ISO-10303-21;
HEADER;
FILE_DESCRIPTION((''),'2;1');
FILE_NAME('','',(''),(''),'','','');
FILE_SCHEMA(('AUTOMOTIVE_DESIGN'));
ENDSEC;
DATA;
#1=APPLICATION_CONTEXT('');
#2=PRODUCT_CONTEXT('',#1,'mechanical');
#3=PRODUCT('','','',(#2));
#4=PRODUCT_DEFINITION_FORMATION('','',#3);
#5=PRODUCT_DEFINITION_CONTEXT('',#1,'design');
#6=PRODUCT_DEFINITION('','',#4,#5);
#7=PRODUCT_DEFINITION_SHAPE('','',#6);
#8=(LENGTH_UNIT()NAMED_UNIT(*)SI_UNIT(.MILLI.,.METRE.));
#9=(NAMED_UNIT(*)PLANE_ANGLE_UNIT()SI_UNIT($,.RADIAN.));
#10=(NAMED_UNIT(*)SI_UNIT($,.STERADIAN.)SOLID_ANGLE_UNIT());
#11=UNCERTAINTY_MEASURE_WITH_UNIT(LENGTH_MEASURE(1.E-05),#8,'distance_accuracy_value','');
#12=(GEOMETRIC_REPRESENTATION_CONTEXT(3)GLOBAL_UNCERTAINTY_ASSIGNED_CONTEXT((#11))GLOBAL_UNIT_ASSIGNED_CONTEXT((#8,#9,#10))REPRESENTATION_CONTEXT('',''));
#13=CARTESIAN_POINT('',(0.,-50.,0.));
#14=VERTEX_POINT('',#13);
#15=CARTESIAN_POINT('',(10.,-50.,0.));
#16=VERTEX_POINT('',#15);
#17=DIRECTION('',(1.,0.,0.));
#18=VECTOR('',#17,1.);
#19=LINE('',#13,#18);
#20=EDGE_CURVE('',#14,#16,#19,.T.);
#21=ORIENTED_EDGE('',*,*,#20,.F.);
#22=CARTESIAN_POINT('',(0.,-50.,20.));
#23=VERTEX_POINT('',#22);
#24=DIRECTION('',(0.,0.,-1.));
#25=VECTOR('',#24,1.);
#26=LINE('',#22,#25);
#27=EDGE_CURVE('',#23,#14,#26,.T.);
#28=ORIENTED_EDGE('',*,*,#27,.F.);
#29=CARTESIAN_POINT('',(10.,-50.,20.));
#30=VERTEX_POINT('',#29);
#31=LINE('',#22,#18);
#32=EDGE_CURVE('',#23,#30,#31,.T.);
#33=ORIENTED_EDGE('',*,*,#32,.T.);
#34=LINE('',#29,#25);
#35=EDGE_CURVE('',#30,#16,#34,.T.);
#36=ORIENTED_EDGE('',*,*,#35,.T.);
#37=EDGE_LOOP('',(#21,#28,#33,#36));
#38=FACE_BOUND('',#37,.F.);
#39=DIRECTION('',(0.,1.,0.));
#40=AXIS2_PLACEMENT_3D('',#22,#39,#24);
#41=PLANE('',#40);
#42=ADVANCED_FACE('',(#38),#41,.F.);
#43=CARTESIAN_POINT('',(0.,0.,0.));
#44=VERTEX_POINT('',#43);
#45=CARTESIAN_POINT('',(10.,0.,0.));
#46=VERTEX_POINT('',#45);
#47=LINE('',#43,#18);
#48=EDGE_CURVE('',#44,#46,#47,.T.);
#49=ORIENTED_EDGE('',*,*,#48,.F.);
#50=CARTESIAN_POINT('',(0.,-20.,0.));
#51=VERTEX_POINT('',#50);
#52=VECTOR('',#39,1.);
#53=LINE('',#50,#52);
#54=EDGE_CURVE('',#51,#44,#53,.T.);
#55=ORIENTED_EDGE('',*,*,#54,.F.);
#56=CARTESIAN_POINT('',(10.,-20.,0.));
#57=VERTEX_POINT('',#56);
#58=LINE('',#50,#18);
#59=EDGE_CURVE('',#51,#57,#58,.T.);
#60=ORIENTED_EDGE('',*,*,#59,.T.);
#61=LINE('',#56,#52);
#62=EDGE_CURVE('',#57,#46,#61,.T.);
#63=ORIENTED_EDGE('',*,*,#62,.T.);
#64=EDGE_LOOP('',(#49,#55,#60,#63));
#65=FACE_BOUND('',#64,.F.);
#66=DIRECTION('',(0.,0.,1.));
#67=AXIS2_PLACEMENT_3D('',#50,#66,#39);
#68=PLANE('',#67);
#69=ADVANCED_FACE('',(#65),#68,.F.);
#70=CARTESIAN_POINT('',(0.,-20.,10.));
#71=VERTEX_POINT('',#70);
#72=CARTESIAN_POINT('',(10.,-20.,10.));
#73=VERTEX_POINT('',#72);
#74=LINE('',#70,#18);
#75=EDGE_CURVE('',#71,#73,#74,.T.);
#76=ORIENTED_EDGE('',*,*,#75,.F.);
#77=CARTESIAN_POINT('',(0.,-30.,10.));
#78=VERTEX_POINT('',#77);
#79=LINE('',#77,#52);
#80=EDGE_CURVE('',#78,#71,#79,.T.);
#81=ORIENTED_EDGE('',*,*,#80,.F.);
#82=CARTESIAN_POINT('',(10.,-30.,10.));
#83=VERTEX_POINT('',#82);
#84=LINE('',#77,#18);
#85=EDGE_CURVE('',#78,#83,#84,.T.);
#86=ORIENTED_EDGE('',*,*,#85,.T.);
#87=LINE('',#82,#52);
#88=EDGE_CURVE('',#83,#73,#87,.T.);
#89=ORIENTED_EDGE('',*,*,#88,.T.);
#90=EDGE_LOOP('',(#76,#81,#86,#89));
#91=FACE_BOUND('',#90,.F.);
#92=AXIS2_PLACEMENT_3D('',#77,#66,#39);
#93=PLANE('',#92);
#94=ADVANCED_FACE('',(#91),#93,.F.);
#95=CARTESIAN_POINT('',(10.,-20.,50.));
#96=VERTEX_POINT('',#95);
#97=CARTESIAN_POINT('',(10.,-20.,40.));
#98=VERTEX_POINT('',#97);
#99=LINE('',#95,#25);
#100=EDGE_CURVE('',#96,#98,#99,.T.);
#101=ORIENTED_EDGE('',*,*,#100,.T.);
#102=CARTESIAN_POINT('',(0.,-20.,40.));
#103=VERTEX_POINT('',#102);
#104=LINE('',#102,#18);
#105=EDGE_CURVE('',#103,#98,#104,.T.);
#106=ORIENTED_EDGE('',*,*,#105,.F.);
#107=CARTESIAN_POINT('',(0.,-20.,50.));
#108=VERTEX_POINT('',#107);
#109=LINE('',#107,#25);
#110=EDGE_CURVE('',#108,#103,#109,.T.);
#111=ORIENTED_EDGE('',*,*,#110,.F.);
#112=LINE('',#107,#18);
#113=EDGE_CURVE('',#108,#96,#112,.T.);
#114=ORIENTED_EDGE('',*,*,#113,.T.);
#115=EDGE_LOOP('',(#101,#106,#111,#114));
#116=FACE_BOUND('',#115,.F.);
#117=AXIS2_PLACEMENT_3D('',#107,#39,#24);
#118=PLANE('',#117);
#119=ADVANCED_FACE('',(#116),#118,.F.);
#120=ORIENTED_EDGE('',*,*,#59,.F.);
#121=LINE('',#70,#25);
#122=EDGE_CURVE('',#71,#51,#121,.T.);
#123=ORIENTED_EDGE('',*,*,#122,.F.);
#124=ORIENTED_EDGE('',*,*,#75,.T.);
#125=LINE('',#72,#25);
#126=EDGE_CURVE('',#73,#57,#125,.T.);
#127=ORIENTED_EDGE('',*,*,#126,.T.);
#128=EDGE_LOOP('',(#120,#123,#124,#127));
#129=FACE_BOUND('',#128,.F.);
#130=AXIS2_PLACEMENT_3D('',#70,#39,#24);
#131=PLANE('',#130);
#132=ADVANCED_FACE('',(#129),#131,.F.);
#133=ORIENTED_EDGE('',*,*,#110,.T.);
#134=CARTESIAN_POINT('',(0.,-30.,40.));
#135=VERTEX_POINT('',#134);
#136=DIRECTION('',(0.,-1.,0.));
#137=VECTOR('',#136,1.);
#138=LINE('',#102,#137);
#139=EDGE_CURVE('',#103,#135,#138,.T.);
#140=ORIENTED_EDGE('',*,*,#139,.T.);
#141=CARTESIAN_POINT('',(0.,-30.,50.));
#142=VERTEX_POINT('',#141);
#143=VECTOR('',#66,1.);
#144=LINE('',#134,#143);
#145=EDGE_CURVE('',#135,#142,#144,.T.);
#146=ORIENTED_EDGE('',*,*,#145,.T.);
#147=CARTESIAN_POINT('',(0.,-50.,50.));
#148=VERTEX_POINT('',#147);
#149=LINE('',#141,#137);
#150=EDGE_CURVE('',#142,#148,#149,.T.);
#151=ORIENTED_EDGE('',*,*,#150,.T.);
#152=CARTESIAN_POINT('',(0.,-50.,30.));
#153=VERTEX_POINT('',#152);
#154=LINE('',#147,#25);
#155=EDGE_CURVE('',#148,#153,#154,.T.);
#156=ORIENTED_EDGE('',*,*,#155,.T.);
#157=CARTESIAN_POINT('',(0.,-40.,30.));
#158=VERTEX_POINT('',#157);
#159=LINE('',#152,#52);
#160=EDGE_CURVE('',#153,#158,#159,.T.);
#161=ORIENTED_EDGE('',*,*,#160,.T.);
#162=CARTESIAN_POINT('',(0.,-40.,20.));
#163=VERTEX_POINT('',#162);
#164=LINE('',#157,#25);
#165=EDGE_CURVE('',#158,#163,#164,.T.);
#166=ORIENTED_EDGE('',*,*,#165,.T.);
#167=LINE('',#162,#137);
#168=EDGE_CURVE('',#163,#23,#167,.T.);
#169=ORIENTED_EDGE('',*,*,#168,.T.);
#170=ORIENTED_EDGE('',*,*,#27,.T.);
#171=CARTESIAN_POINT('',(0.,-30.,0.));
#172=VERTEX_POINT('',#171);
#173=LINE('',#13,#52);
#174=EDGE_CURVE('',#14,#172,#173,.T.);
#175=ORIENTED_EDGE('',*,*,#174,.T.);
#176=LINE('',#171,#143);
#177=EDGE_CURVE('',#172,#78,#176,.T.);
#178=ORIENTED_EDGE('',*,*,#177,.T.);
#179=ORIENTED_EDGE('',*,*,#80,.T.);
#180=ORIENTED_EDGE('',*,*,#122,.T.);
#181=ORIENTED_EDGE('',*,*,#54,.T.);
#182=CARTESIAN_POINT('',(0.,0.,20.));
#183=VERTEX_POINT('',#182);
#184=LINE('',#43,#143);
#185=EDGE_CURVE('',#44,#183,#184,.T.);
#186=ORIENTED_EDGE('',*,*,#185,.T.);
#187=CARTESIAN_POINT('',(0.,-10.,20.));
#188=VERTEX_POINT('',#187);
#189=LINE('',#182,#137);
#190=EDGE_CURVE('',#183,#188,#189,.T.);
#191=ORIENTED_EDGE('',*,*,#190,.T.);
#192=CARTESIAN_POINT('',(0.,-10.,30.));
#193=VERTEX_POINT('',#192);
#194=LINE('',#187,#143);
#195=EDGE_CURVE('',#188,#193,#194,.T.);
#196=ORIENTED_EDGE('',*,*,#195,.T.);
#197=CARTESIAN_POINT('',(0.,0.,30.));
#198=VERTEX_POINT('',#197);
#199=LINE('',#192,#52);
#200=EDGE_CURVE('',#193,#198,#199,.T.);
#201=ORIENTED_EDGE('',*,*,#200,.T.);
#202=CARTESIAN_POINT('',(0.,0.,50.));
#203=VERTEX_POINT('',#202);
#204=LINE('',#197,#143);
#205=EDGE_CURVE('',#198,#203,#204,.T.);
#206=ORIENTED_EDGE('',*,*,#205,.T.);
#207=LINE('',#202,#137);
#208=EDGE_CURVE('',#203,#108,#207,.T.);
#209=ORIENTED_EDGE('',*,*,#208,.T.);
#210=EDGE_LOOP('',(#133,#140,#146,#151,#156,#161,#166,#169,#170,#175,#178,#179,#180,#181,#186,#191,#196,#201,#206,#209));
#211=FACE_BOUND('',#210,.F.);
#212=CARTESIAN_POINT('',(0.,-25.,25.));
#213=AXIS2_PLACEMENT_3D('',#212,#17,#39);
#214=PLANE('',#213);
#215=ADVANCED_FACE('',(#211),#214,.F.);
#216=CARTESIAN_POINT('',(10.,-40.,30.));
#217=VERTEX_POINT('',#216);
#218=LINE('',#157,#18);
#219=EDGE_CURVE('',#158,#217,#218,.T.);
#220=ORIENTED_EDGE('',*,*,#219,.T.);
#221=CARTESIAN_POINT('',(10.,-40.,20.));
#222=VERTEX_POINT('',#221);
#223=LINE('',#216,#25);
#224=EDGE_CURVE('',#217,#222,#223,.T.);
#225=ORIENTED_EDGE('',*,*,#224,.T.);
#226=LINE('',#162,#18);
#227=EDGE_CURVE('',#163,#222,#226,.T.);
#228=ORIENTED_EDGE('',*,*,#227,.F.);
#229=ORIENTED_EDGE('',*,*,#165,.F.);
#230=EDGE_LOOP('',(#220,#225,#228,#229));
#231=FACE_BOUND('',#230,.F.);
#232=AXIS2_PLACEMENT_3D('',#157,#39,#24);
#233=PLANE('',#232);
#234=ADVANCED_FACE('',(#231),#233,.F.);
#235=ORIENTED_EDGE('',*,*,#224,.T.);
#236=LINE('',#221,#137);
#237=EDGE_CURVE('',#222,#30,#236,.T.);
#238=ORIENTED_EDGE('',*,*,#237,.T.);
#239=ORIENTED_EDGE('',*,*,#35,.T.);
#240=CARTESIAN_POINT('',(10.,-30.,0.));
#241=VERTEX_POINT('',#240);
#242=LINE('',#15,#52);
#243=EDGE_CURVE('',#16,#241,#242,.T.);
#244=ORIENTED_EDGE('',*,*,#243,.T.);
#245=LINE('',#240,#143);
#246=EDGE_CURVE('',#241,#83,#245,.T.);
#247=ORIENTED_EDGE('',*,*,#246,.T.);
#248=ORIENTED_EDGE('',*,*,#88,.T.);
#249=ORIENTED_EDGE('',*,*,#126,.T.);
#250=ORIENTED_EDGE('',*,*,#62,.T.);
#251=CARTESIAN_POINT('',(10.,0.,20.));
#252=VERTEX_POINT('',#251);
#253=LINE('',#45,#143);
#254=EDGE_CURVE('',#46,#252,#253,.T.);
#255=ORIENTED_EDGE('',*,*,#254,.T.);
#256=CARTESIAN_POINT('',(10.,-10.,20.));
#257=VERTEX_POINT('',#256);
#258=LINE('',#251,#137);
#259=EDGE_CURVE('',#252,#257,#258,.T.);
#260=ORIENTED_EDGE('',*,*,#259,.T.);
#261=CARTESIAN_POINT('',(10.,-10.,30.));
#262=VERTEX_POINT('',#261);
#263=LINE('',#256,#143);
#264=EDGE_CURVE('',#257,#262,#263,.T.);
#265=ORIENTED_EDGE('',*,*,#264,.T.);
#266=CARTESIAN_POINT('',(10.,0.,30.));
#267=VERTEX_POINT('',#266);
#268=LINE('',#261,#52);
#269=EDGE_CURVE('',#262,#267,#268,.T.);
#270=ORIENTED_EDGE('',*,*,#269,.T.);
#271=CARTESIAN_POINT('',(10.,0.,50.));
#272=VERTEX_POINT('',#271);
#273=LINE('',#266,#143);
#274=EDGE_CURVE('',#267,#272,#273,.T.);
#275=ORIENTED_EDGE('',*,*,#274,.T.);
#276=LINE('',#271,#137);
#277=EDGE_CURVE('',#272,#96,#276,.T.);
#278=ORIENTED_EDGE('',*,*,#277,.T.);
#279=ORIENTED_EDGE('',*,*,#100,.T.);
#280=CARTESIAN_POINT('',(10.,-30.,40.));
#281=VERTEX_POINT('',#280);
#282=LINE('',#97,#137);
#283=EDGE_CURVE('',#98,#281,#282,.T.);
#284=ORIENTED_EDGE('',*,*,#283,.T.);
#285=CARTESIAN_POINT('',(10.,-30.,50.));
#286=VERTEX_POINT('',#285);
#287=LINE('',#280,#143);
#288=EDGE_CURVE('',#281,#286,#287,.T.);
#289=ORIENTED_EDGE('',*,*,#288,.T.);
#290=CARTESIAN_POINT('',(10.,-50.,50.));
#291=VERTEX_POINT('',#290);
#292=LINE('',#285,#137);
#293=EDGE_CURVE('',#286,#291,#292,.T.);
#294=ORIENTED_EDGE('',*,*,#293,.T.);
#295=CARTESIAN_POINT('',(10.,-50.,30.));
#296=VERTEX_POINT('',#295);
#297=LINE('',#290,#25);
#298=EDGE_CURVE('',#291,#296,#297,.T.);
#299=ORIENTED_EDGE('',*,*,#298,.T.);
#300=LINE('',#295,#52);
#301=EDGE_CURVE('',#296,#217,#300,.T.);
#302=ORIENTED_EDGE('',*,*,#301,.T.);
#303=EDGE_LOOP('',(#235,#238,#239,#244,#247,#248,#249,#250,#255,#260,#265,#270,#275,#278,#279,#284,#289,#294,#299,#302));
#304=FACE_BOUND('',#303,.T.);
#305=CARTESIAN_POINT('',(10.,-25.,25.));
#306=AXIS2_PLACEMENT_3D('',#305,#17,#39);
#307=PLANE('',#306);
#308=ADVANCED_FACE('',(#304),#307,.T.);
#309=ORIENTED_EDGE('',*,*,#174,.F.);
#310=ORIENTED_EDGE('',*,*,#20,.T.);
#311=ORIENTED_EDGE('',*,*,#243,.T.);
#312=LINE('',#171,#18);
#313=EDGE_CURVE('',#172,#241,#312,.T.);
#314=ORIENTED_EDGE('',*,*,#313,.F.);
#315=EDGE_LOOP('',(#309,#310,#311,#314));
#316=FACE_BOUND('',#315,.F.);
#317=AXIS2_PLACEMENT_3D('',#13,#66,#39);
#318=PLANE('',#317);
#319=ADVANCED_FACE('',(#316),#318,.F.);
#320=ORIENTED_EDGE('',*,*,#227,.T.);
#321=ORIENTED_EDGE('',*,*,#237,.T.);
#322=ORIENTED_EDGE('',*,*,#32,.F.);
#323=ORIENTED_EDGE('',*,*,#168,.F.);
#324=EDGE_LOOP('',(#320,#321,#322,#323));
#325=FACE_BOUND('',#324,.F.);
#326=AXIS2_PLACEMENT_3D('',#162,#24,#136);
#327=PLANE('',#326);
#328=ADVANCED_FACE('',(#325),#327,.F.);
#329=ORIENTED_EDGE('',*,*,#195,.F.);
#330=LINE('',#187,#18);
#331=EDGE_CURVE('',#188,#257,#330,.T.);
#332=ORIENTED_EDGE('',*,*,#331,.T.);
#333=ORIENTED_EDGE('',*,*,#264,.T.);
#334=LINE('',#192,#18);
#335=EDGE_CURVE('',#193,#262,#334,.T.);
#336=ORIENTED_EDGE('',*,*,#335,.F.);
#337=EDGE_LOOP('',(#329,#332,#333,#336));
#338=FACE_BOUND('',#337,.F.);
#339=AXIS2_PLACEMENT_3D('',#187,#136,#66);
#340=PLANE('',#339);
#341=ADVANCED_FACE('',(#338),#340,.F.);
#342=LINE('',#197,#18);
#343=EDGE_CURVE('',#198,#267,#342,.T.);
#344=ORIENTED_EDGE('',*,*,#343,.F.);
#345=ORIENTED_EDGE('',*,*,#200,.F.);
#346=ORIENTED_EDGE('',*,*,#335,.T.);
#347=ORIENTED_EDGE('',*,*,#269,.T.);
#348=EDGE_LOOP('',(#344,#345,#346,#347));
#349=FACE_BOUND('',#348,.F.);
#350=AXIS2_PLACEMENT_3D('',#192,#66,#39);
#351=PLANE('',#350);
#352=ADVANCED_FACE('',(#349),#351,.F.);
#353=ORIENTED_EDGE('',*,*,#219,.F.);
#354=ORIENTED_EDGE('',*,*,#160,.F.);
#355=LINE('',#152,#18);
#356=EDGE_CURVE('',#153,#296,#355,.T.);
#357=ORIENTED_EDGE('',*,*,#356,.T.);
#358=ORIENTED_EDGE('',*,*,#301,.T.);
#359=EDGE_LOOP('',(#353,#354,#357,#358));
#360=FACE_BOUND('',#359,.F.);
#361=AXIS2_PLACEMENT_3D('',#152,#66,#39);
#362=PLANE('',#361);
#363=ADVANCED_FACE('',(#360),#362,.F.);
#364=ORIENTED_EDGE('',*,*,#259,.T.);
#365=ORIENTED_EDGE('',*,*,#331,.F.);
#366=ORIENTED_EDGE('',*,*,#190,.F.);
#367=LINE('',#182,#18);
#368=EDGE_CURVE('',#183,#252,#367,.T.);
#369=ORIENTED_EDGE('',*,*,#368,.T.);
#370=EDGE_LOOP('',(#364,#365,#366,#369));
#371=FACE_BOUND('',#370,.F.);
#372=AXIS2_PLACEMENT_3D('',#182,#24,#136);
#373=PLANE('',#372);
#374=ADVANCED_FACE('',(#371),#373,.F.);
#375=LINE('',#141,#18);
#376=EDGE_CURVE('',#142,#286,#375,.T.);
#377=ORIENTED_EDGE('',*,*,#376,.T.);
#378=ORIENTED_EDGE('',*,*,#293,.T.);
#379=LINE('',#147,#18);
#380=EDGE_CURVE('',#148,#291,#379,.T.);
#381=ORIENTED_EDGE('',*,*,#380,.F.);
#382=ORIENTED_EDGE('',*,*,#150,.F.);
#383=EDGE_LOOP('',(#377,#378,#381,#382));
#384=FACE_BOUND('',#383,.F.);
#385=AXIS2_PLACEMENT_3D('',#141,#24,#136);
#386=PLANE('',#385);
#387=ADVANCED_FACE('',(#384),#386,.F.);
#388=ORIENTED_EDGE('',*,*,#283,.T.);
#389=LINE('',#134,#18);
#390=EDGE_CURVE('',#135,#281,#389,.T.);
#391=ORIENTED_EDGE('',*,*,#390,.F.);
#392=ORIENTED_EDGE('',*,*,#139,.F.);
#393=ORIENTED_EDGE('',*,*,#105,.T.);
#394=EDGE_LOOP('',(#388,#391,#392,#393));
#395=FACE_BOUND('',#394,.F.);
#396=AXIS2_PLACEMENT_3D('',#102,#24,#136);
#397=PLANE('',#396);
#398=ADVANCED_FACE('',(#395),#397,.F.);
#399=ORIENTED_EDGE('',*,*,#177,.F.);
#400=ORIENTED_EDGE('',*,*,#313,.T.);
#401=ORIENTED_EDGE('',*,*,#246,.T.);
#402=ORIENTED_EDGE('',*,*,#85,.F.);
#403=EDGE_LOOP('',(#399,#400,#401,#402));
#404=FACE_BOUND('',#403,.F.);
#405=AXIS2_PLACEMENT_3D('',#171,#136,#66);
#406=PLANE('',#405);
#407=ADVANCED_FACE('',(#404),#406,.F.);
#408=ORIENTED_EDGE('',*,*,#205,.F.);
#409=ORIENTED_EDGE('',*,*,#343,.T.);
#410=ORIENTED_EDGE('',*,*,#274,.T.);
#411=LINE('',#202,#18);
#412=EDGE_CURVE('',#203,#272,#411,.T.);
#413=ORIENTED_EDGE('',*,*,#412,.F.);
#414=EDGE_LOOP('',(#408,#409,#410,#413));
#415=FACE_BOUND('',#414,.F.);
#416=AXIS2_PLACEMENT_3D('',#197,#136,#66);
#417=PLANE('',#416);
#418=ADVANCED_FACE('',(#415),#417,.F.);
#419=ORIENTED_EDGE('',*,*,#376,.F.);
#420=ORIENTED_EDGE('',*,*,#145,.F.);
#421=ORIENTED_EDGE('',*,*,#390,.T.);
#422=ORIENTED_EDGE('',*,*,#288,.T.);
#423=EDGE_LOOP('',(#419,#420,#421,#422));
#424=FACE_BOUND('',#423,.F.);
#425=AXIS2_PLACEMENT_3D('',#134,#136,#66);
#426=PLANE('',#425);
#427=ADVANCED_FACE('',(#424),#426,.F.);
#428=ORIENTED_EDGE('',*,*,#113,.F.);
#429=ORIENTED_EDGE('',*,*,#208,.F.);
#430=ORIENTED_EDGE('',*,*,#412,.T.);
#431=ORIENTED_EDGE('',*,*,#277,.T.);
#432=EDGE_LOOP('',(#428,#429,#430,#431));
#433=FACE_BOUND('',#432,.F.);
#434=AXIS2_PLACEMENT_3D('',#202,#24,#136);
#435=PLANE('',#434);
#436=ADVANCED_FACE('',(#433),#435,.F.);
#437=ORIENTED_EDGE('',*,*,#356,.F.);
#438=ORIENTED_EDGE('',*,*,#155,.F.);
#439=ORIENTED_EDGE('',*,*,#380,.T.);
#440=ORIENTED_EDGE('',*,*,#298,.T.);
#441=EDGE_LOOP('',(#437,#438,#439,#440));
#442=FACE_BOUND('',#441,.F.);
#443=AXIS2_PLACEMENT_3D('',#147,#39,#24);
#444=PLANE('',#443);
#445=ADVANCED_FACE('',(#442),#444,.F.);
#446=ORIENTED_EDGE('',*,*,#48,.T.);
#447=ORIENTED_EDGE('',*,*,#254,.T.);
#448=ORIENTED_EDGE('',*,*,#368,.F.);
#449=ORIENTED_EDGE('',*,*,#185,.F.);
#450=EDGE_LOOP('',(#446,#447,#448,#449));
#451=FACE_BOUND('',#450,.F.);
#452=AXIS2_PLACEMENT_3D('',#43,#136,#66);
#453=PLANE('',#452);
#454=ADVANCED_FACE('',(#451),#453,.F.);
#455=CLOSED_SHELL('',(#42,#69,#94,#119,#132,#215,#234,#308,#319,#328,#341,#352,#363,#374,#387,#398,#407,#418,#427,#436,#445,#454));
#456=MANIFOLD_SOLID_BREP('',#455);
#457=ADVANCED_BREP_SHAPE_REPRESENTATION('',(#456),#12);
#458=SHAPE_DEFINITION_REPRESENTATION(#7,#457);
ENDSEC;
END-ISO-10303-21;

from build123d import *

# Parameters (mm, degrees)
F1_DEPTH = 10


with BuildPart() as f1:
    # F0 (on Right) → F1 (new body)
    with BuildSketch(Plane.YZ):
        Polygon((-30, 50), (-50, 50), (-50, 30), (-40, 30), (-40, 20), (-50, 20), (-50, 0), (-30, 0), (-30, 10), (-20, 10), (-20, 0), (0, 0), (0, 20), (-10, 20), (-10, 30), (0, 30), (0, 50), (-20, 50), (-20, 40), (-30, 40), align=None)
    extrude(amount=F1_DEPTH)


solid = f1.part
